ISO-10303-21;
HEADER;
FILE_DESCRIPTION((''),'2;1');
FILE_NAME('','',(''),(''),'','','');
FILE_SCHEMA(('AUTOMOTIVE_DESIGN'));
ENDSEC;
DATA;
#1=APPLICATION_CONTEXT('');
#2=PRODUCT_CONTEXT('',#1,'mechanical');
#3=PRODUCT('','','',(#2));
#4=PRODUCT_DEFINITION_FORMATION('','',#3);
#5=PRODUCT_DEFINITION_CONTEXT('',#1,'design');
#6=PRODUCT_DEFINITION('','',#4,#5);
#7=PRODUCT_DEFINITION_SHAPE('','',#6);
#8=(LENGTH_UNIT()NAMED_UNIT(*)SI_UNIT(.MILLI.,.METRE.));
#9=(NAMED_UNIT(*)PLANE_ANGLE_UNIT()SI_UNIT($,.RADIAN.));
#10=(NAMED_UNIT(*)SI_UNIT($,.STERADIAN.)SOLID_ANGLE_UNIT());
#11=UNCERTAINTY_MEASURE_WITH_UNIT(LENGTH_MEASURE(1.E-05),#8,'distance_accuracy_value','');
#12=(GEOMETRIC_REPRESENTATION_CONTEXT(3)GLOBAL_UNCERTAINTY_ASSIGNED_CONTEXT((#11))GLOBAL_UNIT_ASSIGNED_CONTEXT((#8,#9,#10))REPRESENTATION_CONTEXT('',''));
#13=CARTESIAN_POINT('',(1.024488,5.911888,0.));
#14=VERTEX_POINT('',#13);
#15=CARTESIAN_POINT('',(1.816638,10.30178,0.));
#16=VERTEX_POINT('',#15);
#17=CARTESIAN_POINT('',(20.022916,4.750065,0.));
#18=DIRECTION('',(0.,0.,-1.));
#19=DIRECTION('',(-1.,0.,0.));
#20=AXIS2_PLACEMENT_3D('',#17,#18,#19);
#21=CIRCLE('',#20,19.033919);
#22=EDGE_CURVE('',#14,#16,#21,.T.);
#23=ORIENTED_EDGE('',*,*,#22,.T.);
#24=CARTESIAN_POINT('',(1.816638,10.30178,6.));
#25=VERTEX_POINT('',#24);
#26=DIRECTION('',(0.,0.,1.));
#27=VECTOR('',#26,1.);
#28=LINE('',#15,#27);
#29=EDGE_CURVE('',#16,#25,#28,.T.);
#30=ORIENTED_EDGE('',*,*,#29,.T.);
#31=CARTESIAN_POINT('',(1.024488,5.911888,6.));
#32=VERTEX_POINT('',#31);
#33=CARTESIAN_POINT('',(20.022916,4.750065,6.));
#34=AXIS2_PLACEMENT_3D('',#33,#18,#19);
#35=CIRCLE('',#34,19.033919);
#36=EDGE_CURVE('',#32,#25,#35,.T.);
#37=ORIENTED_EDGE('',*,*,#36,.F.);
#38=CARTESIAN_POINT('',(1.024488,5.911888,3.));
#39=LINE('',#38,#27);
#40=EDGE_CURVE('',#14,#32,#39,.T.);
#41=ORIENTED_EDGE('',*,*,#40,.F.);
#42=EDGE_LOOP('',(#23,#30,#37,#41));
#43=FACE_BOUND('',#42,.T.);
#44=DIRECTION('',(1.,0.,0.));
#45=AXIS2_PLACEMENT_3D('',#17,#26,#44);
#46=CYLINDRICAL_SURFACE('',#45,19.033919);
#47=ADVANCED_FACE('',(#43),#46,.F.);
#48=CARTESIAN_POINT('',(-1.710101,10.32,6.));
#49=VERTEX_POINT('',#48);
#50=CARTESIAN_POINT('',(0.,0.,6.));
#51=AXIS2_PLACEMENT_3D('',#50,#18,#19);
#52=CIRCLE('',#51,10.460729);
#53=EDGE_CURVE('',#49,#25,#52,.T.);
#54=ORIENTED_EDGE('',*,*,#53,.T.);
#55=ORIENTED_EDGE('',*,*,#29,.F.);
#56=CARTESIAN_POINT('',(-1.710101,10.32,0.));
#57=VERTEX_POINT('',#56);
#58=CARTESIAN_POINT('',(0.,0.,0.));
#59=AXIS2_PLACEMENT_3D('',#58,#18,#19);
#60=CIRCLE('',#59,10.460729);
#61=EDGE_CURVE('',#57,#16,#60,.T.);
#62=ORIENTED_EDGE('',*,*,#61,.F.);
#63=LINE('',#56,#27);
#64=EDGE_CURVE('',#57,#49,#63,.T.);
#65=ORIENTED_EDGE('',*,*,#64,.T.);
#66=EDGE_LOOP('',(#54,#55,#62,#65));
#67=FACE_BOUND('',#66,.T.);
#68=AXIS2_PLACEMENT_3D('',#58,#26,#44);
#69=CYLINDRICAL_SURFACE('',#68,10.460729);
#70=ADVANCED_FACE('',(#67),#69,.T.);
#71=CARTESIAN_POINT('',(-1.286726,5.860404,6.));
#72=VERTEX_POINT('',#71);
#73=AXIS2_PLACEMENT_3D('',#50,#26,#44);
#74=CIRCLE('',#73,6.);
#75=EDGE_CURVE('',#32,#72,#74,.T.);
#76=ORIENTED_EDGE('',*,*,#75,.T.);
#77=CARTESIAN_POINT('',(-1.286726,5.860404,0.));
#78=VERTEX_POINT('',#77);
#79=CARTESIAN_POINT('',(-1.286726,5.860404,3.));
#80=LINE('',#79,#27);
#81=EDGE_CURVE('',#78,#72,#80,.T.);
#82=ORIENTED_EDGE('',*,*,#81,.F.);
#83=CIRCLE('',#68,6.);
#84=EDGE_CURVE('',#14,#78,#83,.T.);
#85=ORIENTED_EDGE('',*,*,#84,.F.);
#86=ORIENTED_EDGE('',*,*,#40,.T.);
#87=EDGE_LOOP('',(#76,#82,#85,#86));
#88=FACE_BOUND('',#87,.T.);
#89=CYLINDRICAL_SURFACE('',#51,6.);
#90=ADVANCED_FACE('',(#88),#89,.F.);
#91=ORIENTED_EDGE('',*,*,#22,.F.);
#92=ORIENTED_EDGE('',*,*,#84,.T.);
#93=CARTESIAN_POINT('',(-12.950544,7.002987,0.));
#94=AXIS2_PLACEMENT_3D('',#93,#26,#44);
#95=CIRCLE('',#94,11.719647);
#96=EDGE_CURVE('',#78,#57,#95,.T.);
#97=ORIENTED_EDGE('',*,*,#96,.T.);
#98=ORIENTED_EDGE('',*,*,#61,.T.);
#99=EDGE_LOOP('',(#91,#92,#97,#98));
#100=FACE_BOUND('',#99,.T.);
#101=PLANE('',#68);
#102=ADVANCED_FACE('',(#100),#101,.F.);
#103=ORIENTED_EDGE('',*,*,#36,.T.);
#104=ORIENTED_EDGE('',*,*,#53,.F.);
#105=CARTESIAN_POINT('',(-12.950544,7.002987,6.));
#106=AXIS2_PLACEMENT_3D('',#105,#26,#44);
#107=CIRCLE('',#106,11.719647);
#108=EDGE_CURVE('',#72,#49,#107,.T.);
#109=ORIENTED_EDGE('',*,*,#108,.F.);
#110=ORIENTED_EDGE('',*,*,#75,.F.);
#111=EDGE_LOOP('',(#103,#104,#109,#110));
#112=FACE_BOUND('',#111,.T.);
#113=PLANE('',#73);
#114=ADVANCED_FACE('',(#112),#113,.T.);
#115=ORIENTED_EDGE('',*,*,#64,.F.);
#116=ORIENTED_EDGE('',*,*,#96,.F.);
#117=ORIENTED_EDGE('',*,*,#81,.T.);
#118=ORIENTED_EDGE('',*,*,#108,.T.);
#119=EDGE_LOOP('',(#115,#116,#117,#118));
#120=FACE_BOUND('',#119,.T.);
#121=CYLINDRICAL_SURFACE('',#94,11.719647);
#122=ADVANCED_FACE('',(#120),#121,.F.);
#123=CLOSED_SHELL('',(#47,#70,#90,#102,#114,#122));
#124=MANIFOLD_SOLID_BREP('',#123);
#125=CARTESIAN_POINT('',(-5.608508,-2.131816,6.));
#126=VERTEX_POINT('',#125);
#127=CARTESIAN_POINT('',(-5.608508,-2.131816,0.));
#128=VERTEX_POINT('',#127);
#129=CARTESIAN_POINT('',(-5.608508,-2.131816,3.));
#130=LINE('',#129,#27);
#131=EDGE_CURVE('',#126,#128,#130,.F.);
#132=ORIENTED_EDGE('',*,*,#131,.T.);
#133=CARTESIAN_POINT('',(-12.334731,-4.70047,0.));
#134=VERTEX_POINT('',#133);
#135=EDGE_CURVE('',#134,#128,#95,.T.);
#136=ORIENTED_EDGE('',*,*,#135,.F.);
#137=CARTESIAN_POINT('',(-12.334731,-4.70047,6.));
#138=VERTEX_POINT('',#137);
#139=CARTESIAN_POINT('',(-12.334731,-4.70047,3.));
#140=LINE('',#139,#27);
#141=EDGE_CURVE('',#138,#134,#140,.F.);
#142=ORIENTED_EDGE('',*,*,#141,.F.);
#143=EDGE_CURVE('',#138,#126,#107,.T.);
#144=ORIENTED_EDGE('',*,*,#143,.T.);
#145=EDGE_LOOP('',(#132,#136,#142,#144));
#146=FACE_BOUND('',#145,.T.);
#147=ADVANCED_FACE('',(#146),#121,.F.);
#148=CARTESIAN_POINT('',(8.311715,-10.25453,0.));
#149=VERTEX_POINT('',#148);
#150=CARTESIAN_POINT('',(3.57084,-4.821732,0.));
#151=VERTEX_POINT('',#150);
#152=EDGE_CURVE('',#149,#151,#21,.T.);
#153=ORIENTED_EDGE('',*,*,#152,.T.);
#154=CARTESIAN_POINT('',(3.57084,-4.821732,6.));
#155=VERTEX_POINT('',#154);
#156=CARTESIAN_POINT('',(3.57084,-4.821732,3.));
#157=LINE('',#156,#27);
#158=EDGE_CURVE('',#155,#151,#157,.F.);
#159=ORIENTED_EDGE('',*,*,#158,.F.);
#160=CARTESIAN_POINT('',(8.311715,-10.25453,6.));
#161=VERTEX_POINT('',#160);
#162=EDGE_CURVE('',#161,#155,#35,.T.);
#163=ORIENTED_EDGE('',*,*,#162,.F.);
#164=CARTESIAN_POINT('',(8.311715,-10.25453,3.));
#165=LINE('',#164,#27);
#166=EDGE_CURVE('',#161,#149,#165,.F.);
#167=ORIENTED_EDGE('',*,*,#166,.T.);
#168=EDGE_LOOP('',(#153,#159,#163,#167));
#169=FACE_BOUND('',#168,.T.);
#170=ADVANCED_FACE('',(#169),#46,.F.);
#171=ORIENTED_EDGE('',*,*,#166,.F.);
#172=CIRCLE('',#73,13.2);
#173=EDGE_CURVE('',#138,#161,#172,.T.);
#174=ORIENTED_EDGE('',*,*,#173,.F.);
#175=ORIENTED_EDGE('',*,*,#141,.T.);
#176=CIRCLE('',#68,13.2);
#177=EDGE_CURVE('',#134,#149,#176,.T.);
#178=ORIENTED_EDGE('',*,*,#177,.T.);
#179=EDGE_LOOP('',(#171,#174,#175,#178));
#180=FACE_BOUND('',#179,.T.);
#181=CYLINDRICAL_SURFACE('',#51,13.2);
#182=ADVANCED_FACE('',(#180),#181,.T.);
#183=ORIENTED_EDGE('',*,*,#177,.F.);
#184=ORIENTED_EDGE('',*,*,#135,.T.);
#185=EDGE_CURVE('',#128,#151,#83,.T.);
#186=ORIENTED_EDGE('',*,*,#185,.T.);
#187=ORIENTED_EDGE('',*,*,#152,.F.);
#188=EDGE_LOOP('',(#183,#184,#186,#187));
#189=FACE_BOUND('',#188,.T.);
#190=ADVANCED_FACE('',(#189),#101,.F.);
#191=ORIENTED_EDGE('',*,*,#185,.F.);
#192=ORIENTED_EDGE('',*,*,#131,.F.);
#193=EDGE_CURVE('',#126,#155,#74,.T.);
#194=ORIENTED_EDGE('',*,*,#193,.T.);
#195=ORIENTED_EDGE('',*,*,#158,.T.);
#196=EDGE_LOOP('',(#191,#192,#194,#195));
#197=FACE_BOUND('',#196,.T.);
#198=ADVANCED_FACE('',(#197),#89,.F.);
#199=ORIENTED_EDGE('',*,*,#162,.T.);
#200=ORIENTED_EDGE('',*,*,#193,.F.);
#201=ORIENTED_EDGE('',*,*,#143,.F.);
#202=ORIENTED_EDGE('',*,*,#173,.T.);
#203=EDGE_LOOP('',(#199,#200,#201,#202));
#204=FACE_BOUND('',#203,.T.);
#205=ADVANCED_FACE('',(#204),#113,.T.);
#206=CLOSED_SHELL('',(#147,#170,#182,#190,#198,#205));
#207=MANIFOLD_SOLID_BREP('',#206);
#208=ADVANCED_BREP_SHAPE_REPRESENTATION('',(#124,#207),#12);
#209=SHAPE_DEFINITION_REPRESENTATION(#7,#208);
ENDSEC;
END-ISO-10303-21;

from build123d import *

# Parameters (mm, degrees)
SKETCH1_R           = 13.2
SKETCH1_R_2         = 6
BOSS_EXTRUDE1_DEPTH = 6
CUT_EXTRUDE1_DEPTH  = 7


with BuildPart() as part:
    # Sketch1 → Boss-Extrude1 (new body)
    with BuildSketch(Plane.XY):
        Circle(SKETCH1_R)
        Circle(SKETCH1_R_2, mode=Mode.SUBTRACT)
    extrude(amount=BOSS_EXTRUDE1_DEPTH)

    # Sketch2 → Cut-Extrude1 (cut, through all)
    with BuildSketch(Plane.XY.offset(6)):
        with BuildLine():
            ThreePointArc((-2.819851171, 12.895287487), (0, 13.2), (2.819851171, 12.895287487))
            ThreePointArc((2.819851171, 12.895287487), (37.775013156, -2.116749246), (1.816638208, 10.301779947))
            ThreePointArc((1.816638208, 10.301779947), (0.05404213, 10.46058908), (-1.710100717, 10.32))
            ThreePointArc((-1.710100717, 10.32), (-23.713414375, 2.365019601), (-2.819851171, 12.895287487))
        make_face()
    extrude(amount=-CUT_EXTRUDE1_DEPTH, mode=Mode.SUBTRACT)


solid = part.part
